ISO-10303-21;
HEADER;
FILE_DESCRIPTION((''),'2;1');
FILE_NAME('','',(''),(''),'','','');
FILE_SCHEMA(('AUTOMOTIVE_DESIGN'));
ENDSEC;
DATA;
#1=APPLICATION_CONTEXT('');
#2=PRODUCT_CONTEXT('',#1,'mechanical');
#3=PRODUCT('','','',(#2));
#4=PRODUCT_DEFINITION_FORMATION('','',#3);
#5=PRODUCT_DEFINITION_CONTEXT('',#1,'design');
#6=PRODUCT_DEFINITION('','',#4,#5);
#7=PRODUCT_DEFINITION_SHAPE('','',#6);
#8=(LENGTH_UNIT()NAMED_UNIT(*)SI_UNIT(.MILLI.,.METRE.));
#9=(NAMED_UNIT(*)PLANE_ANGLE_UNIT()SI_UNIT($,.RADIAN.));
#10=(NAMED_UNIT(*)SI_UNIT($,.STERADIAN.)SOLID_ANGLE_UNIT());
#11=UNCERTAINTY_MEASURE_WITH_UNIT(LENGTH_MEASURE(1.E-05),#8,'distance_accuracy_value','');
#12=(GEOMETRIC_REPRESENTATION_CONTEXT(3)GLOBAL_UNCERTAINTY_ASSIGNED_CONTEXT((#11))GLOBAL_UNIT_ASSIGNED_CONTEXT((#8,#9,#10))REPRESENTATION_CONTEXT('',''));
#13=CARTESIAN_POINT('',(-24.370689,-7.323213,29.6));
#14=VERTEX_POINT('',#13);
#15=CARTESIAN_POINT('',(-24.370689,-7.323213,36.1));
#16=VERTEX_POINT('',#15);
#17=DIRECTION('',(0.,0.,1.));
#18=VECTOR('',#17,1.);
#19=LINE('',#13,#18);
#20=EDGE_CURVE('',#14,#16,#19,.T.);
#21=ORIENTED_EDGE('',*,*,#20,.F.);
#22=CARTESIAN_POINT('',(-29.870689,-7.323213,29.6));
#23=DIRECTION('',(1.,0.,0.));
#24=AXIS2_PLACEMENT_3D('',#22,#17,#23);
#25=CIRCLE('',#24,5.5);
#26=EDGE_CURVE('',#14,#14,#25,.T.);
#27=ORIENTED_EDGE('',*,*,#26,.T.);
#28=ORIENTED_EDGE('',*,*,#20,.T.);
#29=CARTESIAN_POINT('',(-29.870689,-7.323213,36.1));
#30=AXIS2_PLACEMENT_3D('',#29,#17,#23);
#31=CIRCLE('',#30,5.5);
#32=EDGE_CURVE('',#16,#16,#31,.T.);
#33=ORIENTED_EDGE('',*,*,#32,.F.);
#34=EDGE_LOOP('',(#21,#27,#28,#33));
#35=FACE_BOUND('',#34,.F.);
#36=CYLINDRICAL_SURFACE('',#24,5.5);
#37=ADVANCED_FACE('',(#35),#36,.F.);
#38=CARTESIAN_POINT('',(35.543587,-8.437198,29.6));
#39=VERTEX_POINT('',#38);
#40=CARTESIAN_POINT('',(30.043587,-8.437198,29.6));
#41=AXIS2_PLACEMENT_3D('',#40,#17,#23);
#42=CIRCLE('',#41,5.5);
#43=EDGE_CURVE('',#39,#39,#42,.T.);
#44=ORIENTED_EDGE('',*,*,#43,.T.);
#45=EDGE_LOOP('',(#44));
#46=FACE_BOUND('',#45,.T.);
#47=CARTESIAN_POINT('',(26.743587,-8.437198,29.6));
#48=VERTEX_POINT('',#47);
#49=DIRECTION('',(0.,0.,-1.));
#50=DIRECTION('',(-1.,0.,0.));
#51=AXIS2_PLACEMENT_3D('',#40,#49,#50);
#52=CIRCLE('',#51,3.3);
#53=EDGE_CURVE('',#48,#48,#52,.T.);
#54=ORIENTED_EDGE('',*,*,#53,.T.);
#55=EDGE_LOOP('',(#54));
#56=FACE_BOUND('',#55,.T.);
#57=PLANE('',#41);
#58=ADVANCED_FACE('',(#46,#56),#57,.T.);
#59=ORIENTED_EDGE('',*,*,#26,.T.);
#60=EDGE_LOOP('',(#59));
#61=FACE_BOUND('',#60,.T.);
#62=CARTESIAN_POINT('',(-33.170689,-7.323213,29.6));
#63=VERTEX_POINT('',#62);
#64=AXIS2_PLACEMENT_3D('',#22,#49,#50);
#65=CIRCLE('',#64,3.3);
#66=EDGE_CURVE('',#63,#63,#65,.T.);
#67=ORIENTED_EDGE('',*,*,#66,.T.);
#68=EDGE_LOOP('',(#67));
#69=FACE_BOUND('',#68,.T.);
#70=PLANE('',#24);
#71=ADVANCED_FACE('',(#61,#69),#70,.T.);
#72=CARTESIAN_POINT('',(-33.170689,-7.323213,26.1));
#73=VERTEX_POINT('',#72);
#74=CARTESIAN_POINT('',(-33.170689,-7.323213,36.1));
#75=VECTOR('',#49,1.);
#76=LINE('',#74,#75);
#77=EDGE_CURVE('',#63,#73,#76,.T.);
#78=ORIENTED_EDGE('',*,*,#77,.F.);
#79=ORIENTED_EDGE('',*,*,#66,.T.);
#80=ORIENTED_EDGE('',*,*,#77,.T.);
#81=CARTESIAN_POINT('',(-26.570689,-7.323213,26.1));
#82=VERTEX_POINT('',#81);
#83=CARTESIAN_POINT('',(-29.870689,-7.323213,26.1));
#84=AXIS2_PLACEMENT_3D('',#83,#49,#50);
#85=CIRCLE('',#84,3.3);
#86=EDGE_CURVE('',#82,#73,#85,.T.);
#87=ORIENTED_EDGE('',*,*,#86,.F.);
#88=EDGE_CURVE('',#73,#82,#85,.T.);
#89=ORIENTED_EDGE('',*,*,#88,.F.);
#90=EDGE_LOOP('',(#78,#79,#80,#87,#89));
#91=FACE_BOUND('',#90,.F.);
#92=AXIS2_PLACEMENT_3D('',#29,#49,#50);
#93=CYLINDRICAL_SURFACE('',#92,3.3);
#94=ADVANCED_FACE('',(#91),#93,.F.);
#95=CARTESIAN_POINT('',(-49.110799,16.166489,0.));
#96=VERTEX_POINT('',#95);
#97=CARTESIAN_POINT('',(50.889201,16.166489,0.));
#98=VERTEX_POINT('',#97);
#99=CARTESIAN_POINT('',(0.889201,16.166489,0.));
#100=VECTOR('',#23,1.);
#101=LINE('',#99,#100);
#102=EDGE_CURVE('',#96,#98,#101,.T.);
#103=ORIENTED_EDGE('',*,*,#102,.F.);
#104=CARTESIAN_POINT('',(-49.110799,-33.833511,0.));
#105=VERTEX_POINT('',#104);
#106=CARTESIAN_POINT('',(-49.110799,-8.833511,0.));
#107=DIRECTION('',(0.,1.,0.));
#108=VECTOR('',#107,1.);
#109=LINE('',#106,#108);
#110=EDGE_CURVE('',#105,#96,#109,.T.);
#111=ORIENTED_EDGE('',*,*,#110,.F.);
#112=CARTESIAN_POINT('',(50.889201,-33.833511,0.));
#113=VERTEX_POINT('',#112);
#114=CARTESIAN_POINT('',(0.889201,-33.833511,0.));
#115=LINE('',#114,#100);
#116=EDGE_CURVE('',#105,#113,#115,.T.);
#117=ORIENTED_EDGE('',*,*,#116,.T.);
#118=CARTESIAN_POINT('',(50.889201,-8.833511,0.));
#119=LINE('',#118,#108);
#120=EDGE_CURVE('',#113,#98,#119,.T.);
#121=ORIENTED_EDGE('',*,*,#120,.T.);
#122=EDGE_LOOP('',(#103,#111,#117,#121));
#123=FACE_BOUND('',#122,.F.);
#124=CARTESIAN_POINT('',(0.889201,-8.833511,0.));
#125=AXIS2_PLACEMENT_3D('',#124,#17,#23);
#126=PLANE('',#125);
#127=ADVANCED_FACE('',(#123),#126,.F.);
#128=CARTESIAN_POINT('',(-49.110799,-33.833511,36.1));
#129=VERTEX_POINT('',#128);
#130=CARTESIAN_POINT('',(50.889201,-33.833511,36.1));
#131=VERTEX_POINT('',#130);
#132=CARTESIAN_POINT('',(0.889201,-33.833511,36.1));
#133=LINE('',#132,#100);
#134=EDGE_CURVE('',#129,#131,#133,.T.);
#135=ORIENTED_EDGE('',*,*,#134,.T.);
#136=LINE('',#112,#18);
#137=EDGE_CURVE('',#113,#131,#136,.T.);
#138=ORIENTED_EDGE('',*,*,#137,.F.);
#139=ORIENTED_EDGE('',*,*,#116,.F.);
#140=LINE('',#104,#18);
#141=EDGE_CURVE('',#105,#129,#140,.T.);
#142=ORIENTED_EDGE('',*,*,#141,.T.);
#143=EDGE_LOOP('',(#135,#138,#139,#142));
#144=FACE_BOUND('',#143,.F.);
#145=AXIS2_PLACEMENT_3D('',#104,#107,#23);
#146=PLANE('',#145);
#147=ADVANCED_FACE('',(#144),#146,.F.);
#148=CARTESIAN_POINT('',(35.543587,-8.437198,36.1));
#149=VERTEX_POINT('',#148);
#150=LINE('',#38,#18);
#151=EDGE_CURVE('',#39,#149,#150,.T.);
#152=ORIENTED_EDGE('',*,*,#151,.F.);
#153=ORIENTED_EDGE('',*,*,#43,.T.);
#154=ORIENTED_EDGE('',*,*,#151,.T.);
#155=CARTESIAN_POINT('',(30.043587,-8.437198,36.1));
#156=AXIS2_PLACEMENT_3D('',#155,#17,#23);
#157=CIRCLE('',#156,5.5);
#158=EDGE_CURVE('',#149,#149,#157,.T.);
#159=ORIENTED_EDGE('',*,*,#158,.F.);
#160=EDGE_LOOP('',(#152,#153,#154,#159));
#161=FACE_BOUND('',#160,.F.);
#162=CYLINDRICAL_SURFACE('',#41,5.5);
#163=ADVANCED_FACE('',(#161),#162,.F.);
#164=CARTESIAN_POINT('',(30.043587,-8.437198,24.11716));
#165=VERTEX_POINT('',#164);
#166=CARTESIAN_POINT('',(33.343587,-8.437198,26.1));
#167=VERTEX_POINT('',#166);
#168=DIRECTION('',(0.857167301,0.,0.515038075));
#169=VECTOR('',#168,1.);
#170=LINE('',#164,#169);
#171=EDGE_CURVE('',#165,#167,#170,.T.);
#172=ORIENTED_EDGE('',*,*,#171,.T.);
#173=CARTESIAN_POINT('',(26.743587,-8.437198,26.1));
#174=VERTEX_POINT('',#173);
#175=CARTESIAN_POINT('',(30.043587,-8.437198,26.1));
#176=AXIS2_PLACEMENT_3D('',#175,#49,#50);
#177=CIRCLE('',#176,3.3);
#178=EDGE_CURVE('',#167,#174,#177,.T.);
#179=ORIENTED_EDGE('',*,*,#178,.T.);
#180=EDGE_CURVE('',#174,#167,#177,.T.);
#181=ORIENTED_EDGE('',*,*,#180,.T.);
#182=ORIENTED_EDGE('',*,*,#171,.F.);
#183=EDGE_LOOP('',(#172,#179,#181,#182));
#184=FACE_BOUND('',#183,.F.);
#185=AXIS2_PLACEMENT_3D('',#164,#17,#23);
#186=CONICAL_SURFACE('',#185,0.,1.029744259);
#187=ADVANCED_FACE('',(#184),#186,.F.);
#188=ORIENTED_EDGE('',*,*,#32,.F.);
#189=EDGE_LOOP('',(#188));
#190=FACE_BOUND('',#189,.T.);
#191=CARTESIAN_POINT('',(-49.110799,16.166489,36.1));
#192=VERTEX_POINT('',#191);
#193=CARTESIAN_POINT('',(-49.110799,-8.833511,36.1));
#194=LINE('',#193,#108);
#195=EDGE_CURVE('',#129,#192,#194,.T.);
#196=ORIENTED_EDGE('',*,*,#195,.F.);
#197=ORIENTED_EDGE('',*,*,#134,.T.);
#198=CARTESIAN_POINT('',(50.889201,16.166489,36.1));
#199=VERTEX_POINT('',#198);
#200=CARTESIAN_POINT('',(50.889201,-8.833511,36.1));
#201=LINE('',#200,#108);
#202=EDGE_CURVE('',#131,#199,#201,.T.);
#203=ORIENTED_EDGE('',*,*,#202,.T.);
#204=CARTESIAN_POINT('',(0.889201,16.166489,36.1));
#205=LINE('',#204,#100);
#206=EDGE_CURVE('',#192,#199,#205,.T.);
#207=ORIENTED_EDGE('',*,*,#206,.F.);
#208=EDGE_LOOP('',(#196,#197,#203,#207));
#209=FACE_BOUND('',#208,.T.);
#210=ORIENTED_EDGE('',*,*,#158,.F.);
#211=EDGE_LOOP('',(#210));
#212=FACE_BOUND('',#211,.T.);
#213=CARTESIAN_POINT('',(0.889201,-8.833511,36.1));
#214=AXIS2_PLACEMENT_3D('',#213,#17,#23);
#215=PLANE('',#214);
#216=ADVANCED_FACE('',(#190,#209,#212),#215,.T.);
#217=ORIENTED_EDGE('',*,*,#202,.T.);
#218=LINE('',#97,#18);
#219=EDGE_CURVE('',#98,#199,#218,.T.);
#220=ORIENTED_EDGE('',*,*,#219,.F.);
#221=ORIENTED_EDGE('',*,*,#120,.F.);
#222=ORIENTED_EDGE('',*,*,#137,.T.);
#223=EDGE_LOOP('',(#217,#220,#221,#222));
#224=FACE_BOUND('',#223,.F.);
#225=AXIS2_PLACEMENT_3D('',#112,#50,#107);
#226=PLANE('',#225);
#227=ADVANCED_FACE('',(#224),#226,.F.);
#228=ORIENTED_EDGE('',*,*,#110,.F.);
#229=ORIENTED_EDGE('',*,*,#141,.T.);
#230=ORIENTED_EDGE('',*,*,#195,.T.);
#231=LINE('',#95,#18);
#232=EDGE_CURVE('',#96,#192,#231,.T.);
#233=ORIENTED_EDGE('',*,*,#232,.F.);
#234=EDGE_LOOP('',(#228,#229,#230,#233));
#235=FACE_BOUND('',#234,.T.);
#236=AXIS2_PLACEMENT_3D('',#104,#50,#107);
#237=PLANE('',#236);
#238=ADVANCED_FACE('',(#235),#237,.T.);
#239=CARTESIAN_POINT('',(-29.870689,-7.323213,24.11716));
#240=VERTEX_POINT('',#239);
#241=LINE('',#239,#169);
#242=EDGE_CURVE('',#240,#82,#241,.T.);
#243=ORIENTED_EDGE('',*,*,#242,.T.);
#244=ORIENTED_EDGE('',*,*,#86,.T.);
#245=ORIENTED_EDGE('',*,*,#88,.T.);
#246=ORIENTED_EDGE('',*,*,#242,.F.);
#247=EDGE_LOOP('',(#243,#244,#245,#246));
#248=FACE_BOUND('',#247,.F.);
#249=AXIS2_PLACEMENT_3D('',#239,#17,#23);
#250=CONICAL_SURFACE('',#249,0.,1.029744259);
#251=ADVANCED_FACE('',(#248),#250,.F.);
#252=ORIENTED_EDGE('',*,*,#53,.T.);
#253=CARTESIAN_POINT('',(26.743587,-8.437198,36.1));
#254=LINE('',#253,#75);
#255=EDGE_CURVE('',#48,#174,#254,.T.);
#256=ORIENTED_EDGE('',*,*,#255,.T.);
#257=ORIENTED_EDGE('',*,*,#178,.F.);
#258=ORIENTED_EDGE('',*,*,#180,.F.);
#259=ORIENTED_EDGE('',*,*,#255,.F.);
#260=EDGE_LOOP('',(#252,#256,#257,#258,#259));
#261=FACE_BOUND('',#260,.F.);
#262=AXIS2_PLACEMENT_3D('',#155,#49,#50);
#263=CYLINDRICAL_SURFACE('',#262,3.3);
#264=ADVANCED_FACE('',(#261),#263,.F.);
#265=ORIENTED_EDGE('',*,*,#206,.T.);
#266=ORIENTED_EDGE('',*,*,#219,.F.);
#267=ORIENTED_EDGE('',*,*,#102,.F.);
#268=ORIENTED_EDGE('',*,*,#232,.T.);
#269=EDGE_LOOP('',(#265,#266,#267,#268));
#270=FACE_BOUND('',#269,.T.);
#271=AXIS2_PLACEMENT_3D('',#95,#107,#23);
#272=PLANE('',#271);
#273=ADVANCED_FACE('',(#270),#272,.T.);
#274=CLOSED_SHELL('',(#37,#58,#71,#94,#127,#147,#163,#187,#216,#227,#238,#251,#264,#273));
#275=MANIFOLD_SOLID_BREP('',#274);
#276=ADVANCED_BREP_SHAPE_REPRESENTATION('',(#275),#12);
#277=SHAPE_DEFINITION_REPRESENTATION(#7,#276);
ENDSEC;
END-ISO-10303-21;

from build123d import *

# Parameters (mm, degrees)
F0_W           = 100
F0_H           = 50
F1_DEPTH       = 36.1
F3_D           = 6.6
F3_DEPTH       = 10
F3_CBORE_D     = 11
F3_CBORE_DEPTH = 6.5
F3_TIP         = 1.9828400428


with BuildPart() as f1:
    # F0 (on Top) → F1 (new body)
    with BuildSketch(Plane.XY):
        with Locations((0.8892007172, -8.8335111079)):
            Rectangle(F0_W, F0_H)
    extrude(amount=F1_DEPTH)

    # F3
    with Locations(Plane.XY.offset(36.1)):
        with Locations((30.0435870886, -8.4371976554), (-29.8706889153, -7.3232129216)):
            CounterBoreHole(F3_D / 2, F3_CBORE_D / 2, F3_CBORE_DEPTH, depth=F3_DEPTH)
            with Locations((0, 0, -(F3_DEPTH + F3_TIP / 2))):  # 118° drill point
                Cone(0, F3_D / 2, F3_TIP, mode=Mode.SUBTRACT)


solid = f1.part
